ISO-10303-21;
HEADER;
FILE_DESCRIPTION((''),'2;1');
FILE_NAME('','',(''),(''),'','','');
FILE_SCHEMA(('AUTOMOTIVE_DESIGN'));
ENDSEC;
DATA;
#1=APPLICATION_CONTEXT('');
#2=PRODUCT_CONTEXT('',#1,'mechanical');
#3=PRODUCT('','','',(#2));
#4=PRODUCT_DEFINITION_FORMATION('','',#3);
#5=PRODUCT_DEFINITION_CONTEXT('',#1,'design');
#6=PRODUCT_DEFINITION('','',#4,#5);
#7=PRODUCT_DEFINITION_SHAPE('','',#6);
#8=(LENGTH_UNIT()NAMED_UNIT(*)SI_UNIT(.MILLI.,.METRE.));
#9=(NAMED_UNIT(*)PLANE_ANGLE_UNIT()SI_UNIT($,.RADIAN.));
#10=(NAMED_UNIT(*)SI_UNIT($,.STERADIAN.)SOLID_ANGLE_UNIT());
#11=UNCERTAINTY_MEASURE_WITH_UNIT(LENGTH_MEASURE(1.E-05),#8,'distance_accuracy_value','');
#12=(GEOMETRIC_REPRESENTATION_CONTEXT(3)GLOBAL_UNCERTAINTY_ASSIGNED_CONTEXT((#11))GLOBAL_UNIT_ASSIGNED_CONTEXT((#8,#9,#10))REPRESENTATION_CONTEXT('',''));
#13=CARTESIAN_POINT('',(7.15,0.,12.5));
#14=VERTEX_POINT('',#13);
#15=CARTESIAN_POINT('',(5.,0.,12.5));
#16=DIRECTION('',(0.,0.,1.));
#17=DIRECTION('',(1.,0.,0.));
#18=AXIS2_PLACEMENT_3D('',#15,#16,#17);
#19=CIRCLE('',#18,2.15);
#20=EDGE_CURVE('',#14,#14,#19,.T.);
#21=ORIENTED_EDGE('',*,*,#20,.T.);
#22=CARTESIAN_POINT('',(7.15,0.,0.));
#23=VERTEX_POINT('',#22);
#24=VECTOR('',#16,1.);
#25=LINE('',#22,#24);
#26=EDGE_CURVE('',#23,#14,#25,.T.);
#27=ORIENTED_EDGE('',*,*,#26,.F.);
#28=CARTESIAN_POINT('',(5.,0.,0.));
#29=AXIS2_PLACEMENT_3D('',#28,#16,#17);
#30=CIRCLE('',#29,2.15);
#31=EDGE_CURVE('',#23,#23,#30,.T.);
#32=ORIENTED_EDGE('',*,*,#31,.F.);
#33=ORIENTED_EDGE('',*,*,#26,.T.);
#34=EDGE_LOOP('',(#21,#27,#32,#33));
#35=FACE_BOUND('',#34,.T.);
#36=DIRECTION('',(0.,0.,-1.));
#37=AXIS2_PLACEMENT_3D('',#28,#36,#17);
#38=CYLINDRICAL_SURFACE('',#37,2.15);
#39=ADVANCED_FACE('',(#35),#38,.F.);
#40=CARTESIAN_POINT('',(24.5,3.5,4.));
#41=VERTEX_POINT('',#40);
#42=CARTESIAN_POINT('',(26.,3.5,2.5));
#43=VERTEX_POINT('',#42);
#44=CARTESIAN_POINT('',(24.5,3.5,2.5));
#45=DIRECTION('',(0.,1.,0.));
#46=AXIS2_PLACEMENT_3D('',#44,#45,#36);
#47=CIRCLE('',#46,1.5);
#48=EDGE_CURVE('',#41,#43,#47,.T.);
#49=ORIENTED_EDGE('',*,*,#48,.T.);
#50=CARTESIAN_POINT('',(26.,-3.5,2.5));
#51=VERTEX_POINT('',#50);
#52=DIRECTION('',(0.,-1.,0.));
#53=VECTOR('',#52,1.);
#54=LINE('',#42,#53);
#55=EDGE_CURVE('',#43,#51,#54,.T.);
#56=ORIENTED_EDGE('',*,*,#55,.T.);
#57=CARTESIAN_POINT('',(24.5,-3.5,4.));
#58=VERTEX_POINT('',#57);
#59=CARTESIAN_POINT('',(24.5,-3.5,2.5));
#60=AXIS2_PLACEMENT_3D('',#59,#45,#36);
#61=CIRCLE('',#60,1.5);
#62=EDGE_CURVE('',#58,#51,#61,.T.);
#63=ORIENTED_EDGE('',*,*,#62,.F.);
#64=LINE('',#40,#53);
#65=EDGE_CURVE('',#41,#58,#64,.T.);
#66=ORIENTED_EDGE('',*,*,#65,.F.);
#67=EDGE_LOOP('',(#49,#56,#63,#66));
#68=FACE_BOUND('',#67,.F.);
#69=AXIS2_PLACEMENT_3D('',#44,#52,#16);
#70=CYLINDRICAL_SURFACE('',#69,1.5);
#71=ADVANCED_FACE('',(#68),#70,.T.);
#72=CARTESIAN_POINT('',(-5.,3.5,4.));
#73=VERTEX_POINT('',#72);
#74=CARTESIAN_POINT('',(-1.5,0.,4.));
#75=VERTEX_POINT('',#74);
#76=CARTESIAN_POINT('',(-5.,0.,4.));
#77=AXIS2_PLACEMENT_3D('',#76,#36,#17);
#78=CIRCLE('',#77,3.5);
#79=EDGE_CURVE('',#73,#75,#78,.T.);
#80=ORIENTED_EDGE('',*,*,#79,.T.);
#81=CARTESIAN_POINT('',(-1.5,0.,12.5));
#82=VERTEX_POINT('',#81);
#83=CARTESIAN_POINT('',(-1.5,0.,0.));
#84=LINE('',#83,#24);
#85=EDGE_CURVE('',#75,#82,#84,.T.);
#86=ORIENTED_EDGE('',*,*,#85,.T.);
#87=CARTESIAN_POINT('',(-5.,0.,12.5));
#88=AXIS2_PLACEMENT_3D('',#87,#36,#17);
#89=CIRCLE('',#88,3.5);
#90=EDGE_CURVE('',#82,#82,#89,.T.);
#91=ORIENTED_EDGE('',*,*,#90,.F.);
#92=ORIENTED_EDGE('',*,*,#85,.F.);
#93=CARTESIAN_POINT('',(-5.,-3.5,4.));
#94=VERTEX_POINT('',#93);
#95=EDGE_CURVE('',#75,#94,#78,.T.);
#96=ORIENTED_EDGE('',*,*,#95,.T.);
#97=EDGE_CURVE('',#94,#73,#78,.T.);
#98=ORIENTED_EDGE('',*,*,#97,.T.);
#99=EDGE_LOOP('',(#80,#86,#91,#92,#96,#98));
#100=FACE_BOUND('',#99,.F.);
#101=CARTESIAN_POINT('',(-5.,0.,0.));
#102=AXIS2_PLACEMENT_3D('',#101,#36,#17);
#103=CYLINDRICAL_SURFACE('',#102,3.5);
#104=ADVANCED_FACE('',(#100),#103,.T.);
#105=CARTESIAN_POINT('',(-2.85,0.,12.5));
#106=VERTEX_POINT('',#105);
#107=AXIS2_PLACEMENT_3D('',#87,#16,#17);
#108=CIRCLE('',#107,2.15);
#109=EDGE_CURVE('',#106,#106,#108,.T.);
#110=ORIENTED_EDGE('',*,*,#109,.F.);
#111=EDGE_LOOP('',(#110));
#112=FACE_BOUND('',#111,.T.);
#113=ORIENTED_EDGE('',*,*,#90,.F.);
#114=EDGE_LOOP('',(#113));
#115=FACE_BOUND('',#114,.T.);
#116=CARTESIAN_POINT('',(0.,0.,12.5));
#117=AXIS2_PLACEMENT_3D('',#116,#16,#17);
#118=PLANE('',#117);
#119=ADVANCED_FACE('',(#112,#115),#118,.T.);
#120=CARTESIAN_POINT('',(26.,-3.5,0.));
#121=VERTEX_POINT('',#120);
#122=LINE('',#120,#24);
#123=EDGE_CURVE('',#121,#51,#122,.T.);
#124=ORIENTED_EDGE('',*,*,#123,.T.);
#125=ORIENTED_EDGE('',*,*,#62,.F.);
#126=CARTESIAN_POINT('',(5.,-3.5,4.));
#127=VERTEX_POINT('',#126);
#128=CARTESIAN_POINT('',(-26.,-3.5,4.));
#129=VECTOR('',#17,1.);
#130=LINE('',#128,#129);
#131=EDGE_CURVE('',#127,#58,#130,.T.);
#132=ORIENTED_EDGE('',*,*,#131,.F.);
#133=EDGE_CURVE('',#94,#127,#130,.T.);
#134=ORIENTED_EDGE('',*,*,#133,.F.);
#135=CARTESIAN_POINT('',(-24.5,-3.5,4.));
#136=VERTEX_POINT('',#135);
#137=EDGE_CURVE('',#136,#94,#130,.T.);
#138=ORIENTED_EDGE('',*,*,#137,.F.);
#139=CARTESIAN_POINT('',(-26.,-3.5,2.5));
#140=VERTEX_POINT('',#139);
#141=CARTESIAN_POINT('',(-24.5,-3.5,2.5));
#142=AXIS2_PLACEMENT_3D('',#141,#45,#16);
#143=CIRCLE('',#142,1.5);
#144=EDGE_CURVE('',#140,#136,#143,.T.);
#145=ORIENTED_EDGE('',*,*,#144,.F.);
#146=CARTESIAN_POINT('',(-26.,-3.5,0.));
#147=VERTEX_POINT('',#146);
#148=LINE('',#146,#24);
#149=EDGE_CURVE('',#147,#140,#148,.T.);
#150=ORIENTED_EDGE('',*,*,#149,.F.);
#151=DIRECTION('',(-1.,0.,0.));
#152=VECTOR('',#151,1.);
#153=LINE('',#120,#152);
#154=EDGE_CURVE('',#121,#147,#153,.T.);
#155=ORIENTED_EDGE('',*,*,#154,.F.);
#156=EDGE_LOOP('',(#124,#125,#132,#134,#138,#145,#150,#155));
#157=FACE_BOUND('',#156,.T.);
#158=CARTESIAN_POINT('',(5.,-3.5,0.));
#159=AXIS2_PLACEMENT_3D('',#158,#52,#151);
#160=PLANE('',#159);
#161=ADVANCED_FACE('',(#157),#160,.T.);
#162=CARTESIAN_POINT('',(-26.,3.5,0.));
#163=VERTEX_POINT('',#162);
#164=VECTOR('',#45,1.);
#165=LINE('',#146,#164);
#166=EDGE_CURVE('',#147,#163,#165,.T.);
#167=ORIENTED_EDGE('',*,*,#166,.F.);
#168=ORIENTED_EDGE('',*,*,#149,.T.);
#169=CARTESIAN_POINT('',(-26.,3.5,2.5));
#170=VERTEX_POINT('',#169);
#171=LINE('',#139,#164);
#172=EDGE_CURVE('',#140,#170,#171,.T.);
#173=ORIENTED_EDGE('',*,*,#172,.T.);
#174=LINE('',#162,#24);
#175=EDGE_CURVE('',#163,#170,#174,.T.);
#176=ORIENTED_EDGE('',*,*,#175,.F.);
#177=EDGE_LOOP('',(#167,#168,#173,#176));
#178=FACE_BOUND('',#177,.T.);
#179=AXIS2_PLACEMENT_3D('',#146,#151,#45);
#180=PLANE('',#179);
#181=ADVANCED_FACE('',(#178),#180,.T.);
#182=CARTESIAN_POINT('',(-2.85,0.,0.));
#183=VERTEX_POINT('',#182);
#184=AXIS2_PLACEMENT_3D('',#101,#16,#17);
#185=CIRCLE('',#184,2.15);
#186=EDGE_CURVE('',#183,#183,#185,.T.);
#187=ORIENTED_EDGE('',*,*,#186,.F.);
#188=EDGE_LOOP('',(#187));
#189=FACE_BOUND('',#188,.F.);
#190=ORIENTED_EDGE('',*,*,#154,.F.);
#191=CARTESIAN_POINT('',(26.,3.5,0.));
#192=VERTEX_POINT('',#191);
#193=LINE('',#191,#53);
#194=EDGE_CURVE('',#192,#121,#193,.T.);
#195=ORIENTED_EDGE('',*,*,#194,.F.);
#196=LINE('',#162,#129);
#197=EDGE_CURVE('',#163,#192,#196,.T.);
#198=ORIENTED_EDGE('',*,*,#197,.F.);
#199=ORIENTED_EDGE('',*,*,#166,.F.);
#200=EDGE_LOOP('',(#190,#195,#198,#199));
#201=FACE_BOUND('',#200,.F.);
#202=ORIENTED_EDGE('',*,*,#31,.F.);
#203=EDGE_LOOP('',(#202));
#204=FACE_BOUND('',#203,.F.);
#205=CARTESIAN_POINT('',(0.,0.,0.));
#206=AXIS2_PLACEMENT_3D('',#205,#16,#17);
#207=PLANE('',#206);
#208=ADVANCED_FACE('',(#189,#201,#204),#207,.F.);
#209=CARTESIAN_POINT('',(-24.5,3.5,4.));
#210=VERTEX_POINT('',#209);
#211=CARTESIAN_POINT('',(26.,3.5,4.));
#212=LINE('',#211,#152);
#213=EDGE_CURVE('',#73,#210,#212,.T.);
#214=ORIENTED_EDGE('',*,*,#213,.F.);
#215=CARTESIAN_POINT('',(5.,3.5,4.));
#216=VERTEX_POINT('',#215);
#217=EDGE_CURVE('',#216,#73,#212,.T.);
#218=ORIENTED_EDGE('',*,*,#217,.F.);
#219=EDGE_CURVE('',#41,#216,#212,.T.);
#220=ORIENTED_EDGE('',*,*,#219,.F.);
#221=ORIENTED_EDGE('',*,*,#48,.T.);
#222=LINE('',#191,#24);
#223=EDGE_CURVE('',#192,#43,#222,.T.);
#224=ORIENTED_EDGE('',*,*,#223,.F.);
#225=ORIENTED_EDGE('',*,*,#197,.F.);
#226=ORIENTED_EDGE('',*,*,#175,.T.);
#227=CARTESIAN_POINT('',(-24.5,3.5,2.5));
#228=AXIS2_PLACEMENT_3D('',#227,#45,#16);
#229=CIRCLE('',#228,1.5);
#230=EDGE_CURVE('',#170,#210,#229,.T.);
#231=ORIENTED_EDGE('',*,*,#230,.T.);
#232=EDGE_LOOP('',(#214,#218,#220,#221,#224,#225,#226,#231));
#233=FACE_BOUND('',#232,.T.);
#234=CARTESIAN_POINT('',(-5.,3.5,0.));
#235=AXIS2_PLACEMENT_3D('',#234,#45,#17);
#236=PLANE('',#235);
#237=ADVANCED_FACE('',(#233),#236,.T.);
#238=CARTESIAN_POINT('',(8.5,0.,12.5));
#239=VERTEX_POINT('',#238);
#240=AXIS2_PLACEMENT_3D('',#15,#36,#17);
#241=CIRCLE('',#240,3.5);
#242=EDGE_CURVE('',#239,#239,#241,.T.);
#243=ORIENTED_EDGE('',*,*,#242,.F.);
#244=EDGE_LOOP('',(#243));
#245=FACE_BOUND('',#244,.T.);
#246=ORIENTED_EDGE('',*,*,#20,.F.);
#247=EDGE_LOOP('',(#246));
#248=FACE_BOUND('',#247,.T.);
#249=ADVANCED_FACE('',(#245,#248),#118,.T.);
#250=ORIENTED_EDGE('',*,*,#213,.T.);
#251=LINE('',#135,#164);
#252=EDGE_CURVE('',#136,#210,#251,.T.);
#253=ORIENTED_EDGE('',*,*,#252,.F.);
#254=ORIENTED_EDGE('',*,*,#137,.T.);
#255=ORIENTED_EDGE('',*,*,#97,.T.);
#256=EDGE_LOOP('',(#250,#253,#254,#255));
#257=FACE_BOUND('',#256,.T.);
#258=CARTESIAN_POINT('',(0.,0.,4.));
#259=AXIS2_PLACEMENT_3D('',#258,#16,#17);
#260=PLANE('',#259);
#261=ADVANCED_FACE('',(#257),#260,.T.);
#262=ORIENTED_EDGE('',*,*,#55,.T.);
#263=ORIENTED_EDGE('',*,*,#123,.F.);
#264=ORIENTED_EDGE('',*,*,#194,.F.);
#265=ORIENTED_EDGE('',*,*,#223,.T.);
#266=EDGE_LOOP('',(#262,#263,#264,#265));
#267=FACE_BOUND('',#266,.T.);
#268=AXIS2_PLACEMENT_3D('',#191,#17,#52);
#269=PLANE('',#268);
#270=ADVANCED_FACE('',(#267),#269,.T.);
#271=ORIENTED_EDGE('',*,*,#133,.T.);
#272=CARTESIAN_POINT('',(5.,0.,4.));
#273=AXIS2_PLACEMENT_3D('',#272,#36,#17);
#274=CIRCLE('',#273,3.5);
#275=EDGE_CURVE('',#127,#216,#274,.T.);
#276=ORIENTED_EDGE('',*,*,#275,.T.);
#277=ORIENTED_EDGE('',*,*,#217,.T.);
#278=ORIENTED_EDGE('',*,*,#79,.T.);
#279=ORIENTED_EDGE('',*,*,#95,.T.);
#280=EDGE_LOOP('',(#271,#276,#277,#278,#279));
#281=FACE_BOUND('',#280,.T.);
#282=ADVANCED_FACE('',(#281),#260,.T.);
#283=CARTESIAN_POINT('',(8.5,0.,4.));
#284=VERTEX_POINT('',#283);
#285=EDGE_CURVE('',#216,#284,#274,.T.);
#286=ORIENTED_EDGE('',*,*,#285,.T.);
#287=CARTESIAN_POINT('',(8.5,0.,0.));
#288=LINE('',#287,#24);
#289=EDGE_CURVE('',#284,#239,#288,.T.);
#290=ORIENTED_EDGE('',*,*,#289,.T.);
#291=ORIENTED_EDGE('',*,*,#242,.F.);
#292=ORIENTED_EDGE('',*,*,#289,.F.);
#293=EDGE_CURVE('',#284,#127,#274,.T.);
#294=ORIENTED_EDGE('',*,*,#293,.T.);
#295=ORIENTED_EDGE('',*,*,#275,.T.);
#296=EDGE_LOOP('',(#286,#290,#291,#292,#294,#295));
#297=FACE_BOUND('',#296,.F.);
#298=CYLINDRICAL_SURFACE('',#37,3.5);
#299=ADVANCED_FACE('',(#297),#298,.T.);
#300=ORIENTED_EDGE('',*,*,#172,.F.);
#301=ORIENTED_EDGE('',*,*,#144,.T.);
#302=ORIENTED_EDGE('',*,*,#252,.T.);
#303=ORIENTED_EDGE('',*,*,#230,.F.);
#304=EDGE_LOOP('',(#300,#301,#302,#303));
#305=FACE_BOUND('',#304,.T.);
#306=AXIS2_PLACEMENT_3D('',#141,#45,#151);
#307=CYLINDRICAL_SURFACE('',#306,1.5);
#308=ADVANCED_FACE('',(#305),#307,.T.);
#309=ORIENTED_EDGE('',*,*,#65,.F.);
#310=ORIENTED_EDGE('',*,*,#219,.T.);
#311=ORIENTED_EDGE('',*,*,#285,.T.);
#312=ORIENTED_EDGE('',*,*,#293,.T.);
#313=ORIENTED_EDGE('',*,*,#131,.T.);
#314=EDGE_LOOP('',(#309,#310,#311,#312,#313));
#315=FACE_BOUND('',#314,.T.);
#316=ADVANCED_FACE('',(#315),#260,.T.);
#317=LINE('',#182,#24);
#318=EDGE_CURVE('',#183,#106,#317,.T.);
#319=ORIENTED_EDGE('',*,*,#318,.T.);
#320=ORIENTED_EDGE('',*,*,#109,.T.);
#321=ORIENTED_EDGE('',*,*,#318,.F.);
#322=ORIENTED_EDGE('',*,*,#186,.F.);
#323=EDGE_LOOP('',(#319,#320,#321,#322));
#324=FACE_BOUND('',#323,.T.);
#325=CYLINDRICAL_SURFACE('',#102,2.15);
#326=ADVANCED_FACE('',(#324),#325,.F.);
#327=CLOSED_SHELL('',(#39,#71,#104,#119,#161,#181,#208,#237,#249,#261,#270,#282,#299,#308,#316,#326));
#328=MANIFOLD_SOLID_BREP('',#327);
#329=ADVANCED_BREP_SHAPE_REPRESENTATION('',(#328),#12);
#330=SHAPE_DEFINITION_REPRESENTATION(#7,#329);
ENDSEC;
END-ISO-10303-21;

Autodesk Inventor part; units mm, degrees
ref_plane "YZ Plane" through (0, 0, 0) normal (1, 0, 0) x (0, 1, 0)
ref_plane "XZ Plane" through (0, 0, 0) normal (0, 1, 0) x (-1, 0, 0)
ref_plane "XY Plane" through (0, 0, 0) normal (0, 0, 1) x (1, 0, 0)
sketch "Skizze1" plane through (0, 0, 0) normal (0, 0, 1) x (1, 0, 0)
  circle A0 centre (-5, 0) radius 2.15
  circle A1 centre (-5, 0) radius 3.5
  line L0 (-15.4774, 0) -> (15.4774, 0) construction
  line L1 (0, 6.6843) -> (0, -6.6843) construction
  circle A2 centre (5, 0) radius 2.15
  circle A3 centre (5, 0) radius 3.5
  line L2 (-8.5, 3.5) -> (8.5, 3.5)
  line L3 (8.5, 3.5) -> (8.5, -3.5)
  line L4 (8.5, -3.5) -> (-8.5, -3.5)
  line L5 (-8.5, -3.5) -> (-8.5, 3.5)
  line L6 (26, -3.5) -> (-26, -3.5)
  line L7 (-26, -3.5) -> (-26, 3.5)
  line L8 (-26, 3.5) -> (26, 3.5)
  line L9 (26, 3.5) -> (26, -3.5)
  line L10 (26, -3.5) -> (-26, 3.5) construction
  line L11 (-26, -3.5) -> (26, 3.5) construction
  point P0 (0, 0)
  point P1 (0, 0)
  dimension "d0" = 4.3
  dimension "d1" = 7
  dimension "d2" = 10
  dimension "d7" = 52
extrude "Extrusion1" add sketch "Skizze1" along normal blind 12.5 contours A1 | A3
extrude "Extrusion2" add sketch "Skizze1" along normal blind 4
chamfer "Fase1" [suppressed]
fillet "Rundung1" radius 1.5 2 edges at (-26, 0, 4) (26, 0, 4)
properties part number "6_3D-Druck"
